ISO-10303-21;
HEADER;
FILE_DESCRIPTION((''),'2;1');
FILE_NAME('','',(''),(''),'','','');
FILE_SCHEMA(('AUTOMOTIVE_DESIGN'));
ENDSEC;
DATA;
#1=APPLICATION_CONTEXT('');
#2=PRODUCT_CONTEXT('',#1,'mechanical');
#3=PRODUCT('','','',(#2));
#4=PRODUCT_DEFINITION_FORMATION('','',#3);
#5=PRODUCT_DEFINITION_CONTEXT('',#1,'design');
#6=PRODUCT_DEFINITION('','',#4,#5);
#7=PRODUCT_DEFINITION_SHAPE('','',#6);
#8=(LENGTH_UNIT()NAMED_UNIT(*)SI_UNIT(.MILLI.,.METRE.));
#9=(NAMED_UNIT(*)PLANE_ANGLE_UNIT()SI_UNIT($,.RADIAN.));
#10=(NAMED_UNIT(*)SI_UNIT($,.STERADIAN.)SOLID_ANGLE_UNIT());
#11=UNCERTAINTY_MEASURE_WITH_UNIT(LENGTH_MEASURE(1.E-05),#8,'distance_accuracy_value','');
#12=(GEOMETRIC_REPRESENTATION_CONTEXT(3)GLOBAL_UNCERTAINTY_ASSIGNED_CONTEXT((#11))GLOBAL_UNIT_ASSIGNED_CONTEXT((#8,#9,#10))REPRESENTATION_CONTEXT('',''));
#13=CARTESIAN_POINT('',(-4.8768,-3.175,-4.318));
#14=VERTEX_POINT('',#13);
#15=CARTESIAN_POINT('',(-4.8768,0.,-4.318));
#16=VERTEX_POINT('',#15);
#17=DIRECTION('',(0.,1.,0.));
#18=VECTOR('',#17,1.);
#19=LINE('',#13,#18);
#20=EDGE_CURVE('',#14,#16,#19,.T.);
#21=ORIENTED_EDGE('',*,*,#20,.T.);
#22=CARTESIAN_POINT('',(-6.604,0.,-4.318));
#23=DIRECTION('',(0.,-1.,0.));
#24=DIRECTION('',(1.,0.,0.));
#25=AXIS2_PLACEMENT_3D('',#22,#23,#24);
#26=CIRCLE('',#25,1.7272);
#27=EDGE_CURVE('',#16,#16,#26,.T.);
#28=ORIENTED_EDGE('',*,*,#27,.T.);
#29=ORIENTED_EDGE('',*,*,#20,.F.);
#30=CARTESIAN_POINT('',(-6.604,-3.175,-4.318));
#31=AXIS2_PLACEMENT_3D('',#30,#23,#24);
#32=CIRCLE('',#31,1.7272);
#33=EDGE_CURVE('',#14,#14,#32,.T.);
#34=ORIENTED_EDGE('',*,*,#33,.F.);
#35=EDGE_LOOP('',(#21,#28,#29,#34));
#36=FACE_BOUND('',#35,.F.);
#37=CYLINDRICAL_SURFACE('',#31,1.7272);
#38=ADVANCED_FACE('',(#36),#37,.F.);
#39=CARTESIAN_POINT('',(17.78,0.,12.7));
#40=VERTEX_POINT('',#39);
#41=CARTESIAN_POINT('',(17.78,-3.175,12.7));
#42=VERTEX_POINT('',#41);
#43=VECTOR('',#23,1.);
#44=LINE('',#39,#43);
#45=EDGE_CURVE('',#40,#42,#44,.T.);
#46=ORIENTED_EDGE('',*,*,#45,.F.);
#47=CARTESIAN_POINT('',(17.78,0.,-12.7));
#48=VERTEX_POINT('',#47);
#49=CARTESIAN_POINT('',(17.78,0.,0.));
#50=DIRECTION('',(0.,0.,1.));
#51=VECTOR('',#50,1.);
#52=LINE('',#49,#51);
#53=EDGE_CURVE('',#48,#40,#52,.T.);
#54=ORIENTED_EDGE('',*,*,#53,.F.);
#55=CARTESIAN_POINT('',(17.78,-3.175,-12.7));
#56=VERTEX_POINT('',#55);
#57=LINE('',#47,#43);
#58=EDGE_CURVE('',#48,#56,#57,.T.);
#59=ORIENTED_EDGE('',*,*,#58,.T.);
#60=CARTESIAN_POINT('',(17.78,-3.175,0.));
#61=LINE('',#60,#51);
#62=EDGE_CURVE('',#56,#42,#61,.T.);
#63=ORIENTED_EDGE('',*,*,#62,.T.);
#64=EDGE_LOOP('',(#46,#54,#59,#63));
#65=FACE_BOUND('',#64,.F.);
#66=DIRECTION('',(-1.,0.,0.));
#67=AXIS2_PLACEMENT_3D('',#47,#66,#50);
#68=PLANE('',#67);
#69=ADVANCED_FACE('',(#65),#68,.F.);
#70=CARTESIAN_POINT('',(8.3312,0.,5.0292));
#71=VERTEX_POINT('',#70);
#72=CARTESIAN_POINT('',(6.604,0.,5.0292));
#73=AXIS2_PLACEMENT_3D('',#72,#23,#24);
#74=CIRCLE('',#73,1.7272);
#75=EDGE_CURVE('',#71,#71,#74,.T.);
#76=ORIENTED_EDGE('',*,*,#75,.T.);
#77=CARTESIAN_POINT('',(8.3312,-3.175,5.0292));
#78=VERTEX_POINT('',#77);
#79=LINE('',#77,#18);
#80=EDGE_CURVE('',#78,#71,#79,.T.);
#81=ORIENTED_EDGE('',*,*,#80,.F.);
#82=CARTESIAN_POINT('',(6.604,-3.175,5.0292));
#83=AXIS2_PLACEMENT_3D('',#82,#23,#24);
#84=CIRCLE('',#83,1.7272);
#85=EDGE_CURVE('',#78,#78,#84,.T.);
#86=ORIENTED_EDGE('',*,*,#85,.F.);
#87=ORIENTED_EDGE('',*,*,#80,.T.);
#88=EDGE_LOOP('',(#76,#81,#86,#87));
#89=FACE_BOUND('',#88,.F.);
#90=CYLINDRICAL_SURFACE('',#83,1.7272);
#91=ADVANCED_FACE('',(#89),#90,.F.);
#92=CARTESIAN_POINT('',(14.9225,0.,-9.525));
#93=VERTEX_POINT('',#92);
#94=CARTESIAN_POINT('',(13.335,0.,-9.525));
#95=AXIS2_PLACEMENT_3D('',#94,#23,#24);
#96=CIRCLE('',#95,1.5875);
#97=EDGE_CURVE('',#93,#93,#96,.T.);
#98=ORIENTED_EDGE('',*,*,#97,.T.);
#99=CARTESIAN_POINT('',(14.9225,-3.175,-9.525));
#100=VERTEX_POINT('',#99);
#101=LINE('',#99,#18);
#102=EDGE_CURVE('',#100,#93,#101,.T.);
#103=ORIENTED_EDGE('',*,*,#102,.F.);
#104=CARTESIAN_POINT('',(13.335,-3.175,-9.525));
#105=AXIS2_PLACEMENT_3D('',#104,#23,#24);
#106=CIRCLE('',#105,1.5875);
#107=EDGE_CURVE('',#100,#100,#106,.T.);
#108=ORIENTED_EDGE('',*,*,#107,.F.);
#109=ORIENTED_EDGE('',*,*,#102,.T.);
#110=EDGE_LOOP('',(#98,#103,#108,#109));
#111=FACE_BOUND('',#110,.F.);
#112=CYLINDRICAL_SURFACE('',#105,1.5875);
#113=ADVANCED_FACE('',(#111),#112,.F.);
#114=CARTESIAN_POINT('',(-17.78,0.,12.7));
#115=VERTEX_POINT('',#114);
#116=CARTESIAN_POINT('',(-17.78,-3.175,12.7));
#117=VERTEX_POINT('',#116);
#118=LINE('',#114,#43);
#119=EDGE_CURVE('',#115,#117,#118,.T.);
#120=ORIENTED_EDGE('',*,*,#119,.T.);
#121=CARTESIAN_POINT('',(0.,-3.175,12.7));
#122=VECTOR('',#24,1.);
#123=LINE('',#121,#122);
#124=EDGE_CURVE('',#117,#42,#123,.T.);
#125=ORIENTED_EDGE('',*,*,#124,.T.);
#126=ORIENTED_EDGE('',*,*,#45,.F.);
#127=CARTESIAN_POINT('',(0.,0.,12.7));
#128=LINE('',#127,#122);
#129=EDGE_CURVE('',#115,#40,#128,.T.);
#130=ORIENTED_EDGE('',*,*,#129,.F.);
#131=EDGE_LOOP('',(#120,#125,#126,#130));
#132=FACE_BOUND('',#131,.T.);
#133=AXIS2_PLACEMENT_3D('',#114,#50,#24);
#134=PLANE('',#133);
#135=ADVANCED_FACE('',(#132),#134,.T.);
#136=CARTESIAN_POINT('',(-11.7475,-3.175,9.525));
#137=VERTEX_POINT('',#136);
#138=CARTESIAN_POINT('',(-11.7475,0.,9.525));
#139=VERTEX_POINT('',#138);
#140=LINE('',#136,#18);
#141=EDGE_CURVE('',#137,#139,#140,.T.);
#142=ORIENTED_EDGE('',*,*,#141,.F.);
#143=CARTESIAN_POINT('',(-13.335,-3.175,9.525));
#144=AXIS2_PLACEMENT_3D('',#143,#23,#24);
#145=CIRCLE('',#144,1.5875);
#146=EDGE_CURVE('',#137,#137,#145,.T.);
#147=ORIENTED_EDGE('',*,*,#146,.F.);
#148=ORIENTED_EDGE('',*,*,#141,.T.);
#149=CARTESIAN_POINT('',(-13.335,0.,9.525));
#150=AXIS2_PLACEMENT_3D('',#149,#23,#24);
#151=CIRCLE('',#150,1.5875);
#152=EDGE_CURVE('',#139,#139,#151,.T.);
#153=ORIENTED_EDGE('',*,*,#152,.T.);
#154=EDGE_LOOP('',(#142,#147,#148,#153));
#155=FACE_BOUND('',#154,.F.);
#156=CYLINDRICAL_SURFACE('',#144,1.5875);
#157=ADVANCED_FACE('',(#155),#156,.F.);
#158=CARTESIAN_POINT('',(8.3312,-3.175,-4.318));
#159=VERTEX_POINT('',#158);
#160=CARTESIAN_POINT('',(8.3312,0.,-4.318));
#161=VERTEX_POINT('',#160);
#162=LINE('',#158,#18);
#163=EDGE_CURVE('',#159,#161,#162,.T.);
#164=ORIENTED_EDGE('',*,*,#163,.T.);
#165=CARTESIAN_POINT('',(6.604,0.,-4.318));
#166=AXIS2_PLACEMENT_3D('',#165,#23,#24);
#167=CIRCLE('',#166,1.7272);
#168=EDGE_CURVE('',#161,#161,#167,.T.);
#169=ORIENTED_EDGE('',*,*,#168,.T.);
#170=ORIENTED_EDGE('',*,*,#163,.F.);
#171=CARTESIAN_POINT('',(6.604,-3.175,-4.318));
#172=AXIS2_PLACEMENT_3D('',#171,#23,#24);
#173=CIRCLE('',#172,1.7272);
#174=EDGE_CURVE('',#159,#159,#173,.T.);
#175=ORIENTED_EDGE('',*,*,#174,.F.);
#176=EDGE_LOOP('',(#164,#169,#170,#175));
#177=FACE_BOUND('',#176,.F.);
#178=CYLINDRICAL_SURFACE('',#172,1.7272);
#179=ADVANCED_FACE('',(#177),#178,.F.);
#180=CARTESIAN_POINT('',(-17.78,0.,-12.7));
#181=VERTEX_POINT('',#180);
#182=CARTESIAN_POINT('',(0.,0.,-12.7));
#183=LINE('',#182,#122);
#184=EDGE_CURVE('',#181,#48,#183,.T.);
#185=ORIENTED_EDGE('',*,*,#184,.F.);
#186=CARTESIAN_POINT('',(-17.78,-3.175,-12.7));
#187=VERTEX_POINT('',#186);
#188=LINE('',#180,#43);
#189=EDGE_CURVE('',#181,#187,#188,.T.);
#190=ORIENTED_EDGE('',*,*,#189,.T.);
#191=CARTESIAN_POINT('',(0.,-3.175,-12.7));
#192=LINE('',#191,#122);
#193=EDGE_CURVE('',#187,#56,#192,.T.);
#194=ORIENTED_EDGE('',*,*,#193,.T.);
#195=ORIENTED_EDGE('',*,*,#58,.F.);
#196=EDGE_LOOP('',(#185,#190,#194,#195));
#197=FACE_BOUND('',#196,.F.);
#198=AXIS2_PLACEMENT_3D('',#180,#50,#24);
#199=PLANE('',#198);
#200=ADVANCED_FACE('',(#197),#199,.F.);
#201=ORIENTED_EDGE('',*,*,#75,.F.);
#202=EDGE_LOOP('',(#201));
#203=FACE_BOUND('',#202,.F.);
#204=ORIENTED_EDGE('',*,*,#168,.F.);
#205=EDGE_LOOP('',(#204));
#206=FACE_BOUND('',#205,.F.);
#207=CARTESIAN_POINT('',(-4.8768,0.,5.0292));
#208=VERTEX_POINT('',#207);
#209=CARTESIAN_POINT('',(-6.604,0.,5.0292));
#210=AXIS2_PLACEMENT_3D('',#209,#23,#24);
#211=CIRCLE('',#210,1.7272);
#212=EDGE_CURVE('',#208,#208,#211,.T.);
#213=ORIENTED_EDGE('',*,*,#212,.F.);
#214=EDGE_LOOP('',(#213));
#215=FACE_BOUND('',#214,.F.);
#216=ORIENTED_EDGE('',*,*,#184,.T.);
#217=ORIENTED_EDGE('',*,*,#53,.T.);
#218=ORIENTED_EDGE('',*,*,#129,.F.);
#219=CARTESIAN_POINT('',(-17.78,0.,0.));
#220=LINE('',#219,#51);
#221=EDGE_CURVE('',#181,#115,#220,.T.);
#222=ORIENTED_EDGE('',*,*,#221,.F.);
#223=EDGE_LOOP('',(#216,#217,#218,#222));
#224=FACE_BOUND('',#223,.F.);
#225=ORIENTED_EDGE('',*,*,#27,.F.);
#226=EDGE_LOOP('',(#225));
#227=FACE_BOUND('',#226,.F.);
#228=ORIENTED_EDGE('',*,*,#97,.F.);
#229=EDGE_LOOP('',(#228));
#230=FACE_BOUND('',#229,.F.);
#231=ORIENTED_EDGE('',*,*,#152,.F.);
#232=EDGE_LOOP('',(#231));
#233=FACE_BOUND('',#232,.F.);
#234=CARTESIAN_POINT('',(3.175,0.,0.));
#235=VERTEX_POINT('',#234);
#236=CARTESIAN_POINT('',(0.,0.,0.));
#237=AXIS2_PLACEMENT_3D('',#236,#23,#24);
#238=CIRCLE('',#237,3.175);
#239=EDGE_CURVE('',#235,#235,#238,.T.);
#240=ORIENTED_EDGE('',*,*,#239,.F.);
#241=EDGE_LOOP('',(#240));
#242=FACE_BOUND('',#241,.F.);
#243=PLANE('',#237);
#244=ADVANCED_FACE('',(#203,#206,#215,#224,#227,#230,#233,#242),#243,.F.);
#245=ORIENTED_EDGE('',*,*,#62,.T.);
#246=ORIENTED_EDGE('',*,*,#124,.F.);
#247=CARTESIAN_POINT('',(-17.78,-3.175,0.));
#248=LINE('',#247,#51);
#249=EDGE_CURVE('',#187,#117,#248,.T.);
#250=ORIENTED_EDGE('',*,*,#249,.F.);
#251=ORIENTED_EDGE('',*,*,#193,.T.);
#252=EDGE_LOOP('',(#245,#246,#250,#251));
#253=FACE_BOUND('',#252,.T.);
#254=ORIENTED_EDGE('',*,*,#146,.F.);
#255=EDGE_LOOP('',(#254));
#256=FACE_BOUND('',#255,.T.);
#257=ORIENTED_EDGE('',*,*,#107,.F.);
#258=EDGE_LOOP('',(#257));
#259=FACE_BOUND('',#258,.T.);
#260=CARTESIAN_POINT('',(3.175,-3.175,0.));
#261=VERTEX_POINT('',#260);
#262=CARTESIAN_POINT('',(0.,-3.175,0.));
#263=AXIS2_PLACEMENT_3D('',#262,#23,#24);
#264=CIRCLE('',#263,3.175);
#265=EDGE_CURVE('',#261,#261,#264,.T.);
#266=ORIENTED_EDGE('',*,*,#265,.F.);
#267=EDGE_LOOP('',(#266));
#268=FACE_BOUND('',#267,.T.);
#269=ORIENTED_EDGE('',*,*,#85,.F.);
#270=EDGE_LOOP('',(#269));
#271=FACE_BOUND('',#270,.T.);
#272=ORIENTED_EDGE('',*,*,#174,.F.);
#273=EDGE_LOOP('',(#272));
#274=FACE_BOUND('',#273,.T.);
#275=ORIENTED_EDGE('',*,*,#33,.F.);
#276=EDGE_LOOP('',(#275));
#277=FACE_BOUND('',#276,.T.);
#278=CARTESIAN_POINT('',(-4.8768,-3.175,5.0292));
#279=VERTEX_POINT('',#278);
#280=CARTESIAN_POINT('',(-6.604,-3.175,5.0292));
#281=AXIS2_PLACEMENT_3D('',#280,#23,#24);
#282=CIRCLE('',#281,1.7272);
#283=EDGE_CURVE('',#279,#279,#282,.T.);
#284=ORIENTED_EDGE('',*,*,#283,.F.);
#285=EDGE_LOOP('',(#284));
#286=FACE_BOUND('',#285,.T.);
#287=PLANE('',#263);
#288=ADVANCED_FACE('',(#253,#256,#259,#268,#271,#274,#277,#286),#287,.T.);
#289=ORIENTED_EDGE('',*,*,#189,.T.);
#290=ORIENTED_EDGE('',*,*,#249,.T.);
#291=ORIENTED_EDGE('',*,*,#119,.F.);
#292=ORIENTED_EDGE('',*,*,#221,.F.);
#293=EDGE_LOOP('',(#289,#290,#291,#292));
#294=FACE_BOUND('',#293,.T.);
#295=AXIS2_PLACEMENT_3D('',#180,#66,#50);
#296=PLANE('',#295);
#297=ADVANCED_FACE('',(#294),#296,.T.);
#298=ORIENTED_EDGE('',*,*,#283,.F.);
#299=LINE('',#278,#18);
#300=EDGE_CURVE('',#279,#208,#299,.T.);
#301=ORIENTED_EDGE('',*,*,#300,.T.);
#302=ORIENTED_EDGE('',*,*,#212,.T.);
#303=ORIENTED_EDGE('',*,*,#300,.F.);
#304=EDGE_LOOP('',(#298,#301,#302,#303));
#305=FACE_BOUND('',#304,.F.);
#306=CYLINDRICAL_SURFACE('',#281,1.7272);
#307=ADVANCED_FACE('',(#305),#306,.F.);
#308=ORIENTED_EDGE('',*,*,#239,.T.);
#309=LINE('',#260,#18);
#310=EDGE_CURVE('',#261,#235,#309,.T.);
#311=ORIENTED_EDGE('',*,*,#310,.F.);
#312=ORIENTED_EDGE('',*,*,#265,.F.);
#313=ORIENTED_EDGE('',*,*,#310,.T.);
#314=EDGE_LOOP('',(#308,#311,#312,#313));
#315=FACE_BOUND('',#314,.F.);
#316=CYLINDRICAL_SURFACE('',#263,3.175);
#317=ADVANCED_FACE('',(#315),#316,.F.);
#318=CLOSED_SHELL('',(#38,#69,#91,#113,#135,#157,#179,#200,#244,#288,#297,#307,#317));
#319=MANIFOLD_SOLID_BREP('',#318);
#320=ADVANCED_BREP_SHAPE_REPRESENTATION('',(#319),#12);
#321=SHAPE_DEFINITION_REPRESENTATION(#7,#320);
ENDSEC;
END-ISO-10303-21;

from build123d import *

# Parameters (mm, degrees)
F0_W     = 35.56
F0_H     = 25.4
F1_DEPTH = 3.175
F2_R     = 3.175
F2_R_2   = 1.7272
F3_DEPTH = 3.176
F4_R     = 1.5875
F5_DEPTH = 3.176


with BuildPart() as f1:
    # F0 (on Front) → F1 (new body)
    with BuildSketch(Plane.XZ):
        Rectangle(F0_W, F0_H)
    extrude(amount=F1_DEPTH)

    # F2 (on face) → F3 (cut, through all)
    with BuildSketch(Plane.XZ.offset(3.175)):
        Circle(F2_R)
        with Locations((6.604, 5.0292)):
            Circle(F2_R_2)
        with Locations((6.604, -4.318)):
            Circle(F2_R_2)
        with Locations((-6.604, -4.318)):
            Circle(F2_R_2)
        with Locations((-6.604, 5.0292)):
            Circle(F2_R_2)
    extrude(amount=-F3_DEPTH, mode=Mode.SUBTRACT)

    # F4 (on face) → F5 (cut, through all)
    with BuildSketch(Plane.XZ.offset(3.175)):
        with Locations((-13.335, 9.525)):
            Circle(F4_R)
        with Locations((13.335, -9.525)):
            Circle(F4_R)
    extrude(amount=-F5_DEPTH, mode=Mode.SUBTRACT)


solid = f1.part
